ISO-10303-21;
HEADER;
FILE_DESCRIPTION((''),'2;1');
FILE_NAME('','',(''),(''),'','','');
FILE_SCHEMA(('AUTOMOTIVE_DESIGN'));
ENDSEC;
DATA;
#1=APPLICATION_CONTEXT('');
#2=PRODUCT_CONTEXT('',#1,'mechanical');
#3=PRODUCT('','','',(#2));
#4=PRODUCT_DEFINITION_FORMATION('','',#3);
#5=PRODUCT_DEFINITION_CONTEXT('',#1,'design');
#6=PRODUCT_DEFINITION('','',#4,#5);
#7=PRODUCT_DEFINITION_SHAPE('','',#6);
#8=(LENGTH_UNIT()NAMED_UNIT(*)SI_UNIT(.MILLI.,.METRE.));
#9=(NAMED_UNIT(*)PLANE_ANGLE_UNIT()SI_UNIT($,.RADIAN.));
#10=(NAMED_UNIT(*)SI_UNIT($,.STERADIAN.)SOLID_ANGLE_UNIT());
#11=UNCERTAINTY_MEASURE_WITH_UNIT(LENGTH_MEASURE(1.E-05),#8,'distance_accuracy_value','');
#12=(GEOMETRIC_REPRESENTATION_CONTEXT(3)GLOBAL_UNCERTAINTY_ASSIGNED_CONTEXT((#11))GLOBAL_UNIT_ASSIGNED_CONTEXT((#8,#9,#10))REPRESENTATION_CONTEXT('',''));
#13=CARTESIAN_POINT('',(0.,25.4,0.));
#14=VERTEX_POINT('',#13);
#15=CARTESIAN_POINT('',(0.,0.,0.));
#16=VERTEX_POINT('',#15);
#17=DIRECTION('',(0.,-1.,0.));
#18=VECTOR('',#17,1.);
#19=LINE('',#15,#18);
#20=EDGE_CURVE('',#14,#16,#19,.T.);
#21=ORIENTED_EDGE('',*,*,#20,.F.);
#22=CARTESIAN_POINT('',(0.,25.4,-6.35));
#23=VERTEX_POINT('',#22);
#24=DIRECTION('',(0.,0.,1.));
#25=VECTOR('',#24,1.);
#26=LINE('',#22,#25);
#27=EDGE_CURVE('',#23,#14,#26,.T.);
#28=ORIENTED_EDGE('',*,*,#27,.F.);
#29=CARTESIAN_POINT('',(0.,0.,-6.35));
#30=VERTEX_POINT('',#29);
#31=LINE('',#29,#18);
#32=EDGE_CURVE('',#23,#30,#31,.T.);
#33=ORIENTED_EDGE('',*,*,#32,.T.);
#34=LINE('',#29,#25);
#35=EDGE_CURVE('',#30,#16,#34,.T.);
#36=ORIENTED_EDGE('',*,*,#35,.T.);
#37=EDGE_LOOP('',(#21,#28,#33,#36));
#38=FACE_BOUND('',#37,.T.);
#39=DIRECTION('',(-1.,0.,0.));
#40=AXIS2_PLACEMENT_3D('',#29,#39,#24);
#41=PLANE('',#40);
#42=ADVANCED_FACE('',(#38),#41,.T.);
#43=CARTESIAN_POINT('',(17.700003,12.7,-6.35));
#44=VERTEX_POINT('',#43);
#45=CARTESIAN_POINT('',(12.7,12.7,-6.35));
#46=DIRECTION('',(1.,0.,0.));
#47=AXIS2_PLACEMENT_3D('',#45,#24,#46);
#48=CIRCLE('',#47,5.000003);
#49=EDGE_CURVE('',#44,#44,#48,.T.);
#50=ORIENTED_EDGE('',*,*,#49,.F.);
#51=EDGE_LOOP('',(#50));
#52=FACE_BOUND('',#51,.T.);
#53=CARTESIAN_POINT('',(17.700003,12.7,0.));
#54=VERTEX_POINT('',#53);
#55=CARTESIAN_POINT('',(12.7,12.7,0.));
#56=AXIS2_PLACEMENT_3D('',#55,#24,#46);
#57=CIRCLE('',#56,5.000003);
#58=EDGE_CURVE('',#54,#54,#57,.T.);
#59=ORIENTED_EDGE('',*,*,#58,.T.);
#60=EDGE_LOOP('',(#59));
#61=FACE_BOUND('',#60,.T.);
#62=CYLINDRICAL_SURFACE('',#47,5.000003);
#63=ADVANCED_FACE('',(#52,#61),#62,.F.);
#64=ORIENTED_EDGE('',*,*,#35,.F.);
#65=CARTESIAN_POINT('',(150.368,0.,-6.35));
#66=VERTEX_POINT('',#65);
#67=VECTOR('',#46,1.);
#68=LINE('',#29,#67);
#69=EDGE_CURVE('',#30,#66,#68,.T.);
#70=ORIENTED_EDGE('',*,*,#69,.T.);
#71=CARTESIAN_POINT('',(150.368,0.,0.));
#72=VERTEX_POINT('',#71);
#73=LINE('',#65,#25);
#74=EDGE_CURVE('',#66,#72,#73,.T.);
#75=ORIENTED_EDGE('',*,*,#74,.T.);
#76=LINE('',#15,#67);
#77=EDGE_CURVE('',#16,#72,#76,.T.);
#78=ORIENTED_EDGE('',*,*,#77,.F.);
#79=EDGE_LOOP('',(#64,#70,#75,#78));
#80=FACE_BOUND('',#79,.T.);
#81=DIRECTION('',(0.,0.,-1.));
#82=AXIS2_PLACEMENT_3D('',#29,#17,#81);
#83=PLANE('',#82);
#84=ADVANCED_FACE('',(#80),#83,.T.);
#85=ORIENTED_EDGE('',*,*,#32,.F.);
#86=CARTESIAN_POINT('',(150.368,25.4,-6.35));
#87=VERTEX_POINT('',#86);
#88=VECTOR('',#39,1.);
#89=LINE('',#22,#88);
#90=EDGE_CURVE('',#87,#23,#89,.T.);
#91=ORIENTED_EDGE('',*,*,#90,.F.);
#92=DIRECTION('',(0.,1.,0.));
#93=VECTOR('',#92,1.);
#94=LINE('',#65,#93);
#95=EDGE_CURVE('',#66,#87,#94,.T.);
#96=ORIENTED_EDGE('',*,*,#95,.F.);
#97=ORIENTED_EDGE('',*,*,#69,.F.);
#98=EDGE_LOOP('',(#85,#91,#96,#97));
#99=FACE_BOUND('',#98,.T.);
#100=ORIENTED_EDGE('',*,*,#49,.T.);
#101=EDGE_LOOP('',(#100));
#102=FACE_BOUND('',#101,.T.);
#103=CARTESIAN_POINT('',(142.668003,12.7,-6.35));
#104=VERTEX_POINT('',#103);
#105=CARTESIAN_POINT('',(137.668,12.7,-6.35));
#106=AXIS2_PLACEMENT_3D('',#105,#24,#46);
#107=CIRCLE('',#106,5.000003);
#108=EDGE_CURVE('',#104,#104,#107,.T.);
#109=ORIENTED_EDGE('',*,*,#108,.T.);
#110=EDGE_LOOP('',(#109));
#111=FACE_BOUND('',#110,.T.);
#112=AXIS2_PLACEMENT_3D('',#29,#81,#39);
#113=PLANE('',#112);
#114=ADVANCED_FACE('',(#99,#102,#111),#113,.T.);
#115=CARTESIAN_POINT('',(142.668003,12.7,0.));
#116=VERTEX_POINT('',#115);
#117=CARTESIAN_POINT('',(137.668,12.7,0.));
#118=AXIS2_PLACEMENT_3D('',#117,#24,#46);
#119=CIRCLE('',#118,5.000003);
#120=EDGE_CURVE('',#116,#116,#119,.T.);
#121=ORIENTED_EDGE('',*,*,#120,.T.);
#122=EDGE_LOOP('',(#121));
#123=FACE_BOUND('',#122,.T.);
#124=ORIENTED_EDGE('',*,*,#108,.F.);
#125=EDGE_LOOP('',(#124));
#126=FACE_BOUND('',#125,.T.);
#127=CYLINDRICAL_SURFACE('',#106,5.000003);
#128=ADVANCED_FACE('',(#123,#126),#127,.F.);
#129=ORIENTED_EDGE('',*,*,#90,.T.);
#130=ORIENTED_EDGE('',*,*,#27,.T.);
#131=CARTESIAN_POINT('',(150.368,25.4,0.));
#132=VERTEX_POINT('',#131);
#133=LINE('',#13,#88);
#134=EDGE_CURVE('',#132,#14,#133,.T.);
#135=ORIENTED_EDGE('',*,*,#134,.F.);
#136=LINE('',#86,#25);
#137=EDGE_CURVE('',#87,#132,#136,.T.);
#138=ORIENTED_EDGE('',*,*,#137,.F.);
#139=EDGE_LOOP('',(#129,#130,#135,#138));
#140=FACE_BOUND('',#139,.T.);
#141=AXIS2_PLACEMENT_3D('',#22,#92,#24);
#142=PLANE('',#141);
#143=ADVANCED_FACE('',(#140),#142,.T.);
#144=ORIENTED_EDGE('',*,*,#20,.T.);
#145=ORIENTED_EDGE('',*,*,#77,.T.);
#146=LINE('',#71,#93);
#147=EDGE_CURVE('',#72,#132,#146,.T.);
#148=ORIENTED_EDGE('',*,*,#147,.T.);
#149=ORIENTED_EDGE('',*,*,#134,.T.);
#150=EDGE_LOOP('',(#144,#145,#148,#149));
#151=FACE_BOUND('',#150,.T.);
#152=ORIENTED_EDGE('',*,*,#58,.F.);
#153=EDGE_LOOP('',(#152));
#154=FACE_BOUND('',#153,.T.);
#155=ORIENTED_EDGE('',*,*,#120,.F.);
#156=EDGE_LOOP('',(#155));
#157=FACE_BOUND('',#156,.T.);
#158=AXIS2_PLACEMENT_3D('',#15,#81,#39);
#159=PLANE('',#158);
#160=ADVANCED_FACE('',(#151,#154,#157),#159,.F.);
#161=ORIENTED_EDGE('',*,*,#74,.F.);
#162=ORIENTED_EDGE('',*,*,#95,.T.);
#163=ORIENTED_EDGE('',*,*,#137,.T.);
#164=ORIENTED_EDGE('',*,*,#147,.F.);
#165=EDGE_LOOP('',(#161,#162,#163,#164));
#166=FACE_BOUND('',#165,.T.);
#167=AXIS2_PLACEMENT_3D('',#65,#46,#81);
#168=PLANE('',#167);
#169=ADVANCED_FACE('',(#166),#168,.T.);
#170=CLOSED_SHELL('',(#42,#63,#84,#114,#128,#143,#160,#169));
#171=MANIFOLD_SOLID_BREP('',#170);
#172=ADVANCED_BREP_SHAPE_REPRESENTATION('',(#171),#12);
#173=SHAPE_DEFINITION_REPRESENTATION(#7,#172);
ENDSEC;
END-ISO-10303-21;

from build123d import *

# Parameters (mm, degrees)
SKETCH2_W           = 150.368
SKETCH2_H           = 25.4
SKETCH2_R           = 5.0000027
BOSS_EXTRUDE1_DEPTH = 6.35


with BuildPart() as part:
    # Sketch2 → Boss-Extrude1 (new body)
    with BuildSketch(Plane.XY):
        with Locations((75.184, 12.7)):
            Rectangle(SKETCH2_W, SKETCH2_H)
        with Locations((137.668, 12.7)):
            Circle(SKETCH2_R, mode=Mode.SUBTRACT)
        with Locations((12.7, 12.7)):
            Circle(SKETCH2_R, mode=Mode.SUBTRACT)
    extrude(amount=-BOSS_EXTRUDE1_DEPTH)


solid = part.part
